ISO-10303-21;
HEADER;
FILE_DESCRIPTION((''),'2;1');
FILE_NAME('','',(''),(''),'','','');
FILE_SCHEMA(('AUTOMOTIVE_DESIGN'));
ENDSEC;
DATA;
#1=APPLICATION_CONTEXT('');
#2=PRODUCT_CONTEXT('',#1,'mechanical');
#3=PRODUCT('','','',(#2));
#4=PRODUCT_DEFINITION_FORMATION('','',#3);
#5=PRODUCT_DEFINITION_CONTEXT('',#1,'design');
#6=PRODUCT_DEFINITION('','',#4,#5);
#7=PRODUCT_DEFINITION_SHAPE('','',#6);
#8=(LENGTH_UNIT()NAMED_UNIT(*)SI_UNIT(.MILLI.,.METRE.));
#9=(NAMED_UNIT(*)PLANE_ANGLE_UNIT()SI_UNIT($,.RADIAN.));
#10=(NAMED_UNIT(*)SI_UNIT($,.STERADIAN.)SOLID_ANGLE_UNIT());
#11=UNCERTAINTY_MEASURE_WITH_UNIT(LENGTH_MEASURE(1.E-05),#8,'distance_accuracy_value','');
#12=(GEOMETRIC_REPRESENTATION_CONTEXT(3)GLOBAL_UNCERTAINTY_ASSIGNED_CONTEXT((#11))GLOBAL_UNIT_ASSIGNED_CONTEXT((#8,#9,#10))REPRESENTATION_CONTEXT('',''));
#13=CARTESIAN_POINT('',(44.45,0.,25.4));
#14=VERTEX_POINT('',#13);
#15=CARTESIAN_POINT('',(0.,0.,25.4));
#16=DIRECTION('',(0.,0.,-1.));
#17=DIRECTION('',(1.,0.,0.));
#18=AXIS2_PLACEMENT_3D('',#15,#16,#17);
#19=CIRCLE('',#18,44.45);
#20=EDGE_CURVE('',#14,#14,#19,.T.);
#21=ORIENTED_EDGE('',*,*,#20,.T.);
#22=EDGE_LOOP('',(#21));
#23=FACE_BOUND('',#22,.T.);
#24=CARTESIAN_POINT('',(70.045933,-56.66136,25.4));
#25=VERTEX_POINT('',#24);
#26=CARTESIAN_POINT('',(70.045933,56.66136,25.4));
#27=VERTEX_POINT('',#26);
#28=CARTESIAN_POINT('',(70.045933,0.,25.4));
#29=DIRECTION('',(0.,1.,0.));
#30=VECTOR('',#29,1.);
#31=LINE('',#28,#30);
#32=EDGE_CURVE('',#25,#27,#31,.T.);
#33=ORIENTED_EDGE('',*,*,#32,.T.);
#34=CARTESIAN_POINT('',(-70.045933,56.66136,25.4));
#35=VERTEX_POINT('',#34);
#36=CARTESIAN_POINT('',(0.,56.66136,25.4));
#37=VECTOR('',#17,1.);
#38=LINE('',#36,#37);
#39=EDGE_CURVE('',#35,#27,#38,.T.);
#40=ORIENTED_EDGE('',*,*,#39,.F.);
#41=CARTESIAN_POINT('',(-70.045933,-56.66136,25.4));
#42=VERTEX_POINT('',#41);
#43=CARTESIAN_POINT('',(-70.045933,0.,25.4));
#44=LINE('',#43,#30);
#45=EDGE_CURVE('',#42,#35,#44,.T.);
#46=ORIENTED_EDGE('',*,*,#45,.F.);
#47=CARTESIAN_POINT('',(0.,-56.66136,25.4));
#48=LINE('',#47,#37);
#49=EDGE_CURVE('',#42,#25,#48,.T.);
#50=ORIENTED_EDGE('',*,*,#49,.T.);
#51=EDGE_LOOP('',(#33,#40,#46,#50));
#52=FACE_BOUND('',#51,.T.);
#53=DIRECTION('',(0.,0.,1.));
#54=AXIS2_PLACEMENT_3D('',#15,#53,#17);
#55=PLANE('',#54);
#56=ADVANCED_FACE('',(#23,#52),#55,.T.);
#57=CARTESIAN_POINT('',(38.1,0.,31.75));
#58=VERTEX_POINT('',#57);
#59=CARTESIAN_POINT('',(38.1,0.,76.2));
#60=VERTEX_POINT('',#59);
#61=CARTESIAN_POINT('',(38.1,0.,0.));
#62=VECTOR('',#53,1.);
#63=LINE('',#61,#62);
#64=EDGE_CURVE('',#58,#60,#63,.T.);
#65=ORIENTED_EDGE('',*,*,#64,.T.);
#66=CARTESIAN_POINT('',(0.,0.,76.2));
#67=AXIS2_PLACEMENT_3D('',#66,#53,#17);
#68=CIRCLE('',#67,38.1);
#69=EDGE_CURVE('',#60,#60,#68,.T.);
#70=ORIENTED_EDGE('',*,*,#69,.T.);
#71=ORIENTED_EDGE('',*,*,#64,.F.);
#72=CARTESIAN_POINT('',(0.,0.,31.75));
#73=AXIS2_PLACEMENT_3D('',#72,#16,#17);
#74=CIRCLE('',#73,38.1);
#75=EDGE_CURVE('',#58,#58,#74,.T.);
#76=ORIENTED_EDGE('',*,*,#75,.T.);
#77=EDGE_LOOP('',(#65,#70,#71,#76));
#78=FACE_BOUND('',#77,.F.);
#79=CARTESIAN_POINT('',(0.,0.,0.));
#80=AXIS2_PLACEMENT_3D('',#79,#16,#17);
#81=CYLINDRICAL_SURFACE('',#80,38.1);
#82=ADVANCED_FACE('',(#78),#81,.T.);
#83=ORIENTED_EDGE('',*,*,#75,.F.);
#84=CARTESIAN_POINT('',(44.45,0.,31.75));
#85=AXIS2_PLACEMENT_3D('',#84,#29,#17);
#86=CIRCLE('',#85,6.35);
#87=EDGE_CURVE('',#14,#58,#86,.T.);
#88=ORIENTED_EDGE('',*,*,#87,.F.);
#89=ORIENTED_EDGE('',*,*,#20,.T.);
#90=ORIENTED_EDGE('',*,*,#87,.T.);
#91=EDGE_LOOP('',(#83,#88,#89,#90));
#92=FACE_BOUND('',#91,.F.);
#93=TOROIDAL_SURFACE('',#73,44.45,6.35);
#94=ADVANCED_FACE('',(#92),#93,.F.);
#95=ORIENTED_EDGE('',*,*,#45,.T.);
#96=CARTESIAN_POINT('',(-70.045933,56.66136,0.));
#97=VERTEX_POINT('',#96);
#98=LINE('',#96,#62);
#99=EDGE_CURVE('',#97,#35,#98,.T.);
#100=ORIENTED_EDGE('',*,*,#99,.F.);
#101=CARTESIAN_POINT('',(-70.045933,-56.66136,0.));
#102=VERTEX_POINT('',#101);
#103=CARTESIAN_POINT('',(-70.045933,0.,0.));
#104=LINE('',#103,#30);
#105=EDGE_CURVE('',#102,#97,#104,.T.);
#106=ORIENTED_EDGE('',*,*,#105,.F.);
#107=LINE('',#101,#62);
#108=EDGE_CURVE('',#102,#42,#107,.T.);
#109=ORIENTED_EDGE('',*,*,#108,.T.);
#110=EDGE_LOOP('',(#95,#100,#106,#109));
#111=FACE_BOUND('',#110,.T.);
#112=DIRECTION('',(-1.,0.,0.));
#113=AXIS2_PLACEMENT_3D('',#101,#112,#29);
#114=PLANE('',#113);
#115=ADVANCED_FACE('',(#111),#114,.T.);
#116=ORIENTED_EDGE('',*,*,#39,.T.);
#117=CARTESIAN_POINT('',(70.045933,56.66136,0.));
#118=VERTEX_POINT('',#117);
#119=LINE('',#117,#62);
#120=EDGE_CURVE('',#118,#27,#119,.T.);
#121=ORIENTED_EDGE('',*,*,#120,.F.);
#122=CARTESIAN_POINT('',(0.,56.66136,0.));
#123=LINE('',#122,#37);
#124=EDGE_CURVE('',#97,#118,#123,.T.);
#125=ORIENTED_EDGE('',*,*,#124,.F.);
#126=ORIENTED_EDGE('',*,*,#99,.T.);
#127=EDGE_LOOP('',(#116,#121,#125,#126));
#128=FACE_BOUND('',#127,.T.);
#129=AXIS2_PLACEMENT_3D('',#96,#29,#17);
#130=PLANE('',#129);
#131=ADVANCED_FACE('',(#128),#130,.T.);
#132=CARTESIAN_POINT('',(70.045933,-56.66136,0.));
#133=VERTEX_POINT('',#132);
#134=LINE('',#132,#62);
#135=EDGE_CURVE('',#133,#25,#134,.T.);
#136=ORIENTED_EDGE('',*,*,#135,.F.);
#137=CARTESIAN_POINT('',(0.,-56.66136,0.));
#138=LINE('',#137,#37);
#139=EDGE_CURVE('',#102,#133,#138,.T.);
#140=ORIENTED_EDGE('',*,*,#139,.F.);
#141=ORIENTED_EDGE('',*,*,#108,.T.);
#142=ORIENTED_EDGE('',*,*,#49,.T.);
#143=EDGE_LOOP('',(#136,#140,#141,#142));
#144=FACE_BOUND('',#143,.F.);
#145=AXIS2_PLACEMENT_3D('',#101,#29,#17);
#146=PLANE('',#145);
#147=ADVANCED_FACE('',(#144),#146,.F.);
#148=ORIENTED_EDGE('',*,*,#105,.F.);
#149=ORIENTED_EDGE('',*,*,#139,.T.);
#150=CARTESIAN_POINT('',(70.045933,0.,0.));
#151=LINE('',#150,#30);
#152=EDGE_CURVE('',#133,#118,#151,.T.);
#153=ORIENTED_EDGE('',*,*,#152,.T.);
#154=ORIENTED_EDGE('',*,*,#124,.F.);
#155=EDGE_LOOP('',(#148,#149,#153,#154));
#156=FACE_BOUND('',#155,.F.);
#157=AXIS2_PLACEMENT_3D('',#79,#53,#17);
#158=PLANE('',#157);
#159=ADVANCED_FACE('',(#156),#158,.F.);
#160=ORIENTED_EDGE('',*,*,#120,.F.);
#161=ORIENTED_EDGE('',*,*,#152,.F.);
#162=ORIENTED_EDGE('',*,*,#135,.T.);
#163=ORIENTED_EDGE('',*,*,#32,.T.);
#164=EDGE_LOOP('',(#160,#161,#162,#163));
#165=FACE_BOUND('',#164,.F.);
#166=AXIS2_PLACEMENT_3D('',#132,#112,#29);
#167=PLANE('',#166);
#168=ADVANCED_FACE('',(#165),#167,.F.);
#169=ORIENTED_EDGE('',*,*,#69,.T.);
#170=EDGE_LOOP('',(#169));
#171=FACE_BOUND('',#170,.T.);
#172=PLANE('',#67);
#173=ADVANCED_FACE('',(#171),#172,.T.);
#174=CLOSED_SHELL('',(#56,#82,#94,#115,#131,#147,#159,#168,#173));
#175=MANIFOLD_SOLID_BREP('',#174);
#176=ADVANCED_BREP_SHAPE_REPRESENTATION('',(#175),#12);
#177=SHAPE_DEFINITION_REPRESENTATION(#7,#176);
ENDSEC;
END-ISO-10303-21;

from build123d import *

# Parameters (mm, degrees)
F0_R     = 38.1
F1_DEPTH = 76.2
F2_W     = 140.091866
F2_H     = 113.32272
F3_DEPTH = 25.4
F4_R     = 6.35


with BuildPart() as f1:
    # F0 (on Top) → F1 (new body)
    with BuildSketch(Plane.XY):
        Circle(F0_R)
    extrude(amount=F1_DEPTH)

    # F2 (on Top) → F3 (join)
    with BuildSketch(Plane.XY):
        Rectangle(F2_W, F2_H)
    extrude(amount=F3_DEPTH)

    # F4
    f4_edges = [f1.edges().sort_by_distance(p)[0] for p in [
        (-38.1, 0, 25.4),
    ]]
    fillet(f4_edges, radius=F4_R)


solid = f1.part
